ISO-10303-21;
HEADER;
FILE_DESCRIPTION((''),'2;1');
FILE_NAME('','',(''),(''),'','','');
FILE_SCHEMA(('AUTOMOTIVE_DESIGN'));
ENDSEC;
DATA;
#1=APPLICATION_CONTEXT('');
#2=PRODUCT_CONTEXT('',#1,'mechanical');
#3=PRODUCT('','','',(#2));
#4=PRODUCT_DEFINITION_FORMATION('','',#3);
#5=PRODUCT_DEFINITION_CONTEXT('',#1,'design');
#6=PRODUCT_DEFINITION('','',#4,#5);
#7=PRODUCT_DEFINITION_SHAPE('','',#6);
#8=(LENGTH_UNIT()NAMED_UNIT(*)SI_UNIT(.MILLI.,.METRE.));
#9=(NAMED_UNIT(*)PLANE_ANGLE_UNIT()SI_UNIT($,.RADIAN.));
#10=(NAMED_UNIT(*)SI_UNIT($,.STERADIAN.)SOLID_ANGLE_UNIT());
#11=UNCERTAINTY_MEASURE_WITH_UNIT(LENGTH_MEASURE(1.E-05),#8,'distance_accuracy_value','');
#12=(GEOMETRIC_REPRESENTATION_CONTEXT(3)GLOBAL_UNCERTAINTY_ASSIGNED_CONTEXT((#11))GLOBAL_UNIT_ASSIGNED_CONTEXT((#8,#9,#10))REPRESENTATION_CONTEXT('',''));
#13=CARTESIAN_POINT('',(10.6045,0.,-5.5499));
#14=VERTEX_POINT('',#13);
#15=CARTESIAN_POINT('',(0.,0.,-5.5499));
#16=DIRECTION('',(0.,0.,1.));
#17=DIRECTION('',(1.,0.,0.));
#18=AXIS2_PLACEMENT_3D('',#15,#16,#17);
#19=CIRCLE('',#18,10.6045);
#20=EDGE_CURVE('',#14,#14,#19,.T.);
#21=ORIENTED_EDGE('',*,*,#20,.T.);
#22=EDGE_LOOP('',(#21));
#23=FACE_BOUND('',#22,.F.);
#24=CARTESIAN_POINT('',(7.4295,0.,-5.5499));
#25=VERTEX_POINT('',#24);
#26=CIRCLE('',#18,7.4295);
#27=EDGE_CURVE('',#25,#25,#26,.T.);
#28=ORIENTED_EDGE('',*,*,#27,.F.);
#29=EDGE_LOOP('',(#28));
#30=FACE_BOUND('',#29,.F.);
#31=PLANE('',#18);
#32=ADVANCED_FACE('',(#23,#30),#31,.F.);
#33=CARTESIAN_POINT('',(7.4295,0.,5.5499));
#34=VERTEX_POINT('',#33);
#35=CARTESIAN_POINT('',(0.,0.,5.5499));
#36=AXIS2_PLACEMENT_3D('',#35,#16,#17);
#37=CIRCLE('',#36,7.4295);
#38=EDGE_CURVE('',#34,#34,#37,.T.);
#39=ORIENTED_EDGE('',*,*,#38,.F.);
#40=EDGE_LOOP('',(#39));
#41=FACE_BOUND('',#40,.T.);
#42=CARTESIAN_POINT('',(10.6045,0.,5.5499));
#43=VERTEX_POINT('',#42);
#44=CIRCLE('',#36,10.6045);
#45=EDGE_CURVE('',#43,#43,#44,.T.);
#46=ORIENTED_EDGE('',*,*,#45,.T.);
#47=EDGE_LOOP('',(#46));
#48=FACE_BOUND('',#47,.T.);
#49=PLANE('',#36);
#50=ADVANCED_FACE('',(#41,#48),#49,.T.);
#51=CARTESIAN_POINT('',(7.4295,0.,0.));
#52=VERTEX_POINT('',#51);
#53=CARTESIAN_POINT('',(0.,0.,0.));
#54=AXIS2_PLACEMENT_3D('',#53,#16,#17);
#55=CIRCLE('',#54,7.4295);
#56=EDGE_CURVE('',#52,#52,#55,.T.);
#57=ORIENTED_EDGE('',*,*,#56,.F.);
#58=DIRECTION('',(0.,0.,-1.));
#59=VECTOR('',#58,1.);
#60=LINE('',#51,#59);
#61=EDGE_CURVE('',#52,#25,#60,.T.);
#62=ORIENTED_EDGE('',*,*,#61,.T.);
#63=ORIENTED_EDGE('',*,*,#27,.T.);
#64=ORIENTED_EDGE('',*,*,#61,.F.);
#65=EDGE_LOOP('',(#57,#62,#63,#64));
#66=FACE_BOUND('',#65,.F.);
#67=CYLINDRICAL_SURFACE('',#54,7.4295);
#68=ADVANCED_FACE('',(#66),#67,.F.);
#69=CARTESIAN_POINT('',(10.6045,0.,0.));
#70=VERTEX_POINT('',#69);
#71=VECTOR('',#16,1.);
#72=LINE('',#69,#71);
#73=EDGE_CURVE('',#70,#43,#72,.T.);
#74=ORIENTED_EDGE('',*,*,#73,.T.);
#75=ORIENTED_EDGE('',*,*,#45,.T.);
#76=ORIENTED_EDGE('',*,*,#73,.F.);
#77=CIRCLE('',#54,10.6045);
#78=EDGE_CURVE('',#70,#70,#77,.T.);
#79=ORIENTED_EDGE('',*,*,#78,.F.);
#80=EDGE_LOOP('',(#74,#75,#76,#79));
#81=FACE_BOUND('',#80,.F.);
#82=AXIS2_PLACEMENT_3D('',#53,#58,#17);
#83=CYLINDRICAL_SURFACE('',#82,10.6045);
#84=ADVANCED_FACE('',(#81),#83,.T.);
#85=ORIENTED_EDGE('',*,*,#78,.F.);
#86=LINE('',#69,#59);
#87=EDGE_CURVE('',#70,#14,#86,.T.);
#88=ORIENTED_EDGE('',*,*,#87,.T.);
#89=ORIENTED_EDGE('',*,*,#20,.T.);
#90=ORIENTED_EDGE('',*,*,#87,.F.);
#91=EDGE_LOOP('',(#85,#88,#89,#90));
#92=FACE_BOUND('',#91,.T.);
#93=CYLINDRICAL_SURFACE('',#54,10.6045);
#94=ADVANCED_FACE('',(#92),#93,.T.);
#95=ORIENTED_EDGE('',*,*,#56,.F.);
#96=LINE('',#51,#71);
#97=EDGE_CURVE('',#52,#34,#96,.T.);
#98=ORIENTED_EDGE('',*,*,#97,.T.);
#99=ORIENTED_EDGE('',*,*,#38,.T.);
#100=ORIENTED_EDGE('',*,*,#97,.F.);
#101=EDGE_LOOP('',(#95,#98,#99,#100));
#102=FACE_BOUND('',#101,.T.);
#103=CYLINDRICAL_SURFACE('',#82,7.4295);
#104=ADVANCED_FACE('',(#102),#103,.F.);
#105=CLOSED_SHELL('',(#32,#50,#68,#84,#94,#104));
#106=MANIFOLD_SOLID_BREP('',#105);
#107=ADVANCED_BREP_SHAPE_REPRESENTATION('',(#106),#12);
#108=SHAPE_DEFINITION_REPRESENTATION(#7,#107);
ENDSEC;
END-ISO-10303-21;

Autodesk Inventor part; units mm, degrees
ref_plane "YZ Plane" through (0, 0, 0) normal (1, 0, 0) x (0, 1, 0)
ref_plane "XZ Plane" through (0, 0, 0) normal (0, 1, 0) x (-1, 0, 0)
ref_plane "XY Plane" through (0, 0, 0) normal (0, 0, 1) x (1, 0, 0)
sketch "Sketch1" plane through (0, 0, 0) normal (0, 0, 1) x (1, 0, 0)
  circle A0 centre (0, 0) radius 7.4295
  circle A1 centre (0, 0) radius 10.6045
  dimension "d0" = 14.859
  dimension "d1" = 3.175
extrude "Extrusion1" add sketch "Sketch1" along normal mid plane 11.0998
properties part number "EL2-CGB-023" material "ABS Plastic"
